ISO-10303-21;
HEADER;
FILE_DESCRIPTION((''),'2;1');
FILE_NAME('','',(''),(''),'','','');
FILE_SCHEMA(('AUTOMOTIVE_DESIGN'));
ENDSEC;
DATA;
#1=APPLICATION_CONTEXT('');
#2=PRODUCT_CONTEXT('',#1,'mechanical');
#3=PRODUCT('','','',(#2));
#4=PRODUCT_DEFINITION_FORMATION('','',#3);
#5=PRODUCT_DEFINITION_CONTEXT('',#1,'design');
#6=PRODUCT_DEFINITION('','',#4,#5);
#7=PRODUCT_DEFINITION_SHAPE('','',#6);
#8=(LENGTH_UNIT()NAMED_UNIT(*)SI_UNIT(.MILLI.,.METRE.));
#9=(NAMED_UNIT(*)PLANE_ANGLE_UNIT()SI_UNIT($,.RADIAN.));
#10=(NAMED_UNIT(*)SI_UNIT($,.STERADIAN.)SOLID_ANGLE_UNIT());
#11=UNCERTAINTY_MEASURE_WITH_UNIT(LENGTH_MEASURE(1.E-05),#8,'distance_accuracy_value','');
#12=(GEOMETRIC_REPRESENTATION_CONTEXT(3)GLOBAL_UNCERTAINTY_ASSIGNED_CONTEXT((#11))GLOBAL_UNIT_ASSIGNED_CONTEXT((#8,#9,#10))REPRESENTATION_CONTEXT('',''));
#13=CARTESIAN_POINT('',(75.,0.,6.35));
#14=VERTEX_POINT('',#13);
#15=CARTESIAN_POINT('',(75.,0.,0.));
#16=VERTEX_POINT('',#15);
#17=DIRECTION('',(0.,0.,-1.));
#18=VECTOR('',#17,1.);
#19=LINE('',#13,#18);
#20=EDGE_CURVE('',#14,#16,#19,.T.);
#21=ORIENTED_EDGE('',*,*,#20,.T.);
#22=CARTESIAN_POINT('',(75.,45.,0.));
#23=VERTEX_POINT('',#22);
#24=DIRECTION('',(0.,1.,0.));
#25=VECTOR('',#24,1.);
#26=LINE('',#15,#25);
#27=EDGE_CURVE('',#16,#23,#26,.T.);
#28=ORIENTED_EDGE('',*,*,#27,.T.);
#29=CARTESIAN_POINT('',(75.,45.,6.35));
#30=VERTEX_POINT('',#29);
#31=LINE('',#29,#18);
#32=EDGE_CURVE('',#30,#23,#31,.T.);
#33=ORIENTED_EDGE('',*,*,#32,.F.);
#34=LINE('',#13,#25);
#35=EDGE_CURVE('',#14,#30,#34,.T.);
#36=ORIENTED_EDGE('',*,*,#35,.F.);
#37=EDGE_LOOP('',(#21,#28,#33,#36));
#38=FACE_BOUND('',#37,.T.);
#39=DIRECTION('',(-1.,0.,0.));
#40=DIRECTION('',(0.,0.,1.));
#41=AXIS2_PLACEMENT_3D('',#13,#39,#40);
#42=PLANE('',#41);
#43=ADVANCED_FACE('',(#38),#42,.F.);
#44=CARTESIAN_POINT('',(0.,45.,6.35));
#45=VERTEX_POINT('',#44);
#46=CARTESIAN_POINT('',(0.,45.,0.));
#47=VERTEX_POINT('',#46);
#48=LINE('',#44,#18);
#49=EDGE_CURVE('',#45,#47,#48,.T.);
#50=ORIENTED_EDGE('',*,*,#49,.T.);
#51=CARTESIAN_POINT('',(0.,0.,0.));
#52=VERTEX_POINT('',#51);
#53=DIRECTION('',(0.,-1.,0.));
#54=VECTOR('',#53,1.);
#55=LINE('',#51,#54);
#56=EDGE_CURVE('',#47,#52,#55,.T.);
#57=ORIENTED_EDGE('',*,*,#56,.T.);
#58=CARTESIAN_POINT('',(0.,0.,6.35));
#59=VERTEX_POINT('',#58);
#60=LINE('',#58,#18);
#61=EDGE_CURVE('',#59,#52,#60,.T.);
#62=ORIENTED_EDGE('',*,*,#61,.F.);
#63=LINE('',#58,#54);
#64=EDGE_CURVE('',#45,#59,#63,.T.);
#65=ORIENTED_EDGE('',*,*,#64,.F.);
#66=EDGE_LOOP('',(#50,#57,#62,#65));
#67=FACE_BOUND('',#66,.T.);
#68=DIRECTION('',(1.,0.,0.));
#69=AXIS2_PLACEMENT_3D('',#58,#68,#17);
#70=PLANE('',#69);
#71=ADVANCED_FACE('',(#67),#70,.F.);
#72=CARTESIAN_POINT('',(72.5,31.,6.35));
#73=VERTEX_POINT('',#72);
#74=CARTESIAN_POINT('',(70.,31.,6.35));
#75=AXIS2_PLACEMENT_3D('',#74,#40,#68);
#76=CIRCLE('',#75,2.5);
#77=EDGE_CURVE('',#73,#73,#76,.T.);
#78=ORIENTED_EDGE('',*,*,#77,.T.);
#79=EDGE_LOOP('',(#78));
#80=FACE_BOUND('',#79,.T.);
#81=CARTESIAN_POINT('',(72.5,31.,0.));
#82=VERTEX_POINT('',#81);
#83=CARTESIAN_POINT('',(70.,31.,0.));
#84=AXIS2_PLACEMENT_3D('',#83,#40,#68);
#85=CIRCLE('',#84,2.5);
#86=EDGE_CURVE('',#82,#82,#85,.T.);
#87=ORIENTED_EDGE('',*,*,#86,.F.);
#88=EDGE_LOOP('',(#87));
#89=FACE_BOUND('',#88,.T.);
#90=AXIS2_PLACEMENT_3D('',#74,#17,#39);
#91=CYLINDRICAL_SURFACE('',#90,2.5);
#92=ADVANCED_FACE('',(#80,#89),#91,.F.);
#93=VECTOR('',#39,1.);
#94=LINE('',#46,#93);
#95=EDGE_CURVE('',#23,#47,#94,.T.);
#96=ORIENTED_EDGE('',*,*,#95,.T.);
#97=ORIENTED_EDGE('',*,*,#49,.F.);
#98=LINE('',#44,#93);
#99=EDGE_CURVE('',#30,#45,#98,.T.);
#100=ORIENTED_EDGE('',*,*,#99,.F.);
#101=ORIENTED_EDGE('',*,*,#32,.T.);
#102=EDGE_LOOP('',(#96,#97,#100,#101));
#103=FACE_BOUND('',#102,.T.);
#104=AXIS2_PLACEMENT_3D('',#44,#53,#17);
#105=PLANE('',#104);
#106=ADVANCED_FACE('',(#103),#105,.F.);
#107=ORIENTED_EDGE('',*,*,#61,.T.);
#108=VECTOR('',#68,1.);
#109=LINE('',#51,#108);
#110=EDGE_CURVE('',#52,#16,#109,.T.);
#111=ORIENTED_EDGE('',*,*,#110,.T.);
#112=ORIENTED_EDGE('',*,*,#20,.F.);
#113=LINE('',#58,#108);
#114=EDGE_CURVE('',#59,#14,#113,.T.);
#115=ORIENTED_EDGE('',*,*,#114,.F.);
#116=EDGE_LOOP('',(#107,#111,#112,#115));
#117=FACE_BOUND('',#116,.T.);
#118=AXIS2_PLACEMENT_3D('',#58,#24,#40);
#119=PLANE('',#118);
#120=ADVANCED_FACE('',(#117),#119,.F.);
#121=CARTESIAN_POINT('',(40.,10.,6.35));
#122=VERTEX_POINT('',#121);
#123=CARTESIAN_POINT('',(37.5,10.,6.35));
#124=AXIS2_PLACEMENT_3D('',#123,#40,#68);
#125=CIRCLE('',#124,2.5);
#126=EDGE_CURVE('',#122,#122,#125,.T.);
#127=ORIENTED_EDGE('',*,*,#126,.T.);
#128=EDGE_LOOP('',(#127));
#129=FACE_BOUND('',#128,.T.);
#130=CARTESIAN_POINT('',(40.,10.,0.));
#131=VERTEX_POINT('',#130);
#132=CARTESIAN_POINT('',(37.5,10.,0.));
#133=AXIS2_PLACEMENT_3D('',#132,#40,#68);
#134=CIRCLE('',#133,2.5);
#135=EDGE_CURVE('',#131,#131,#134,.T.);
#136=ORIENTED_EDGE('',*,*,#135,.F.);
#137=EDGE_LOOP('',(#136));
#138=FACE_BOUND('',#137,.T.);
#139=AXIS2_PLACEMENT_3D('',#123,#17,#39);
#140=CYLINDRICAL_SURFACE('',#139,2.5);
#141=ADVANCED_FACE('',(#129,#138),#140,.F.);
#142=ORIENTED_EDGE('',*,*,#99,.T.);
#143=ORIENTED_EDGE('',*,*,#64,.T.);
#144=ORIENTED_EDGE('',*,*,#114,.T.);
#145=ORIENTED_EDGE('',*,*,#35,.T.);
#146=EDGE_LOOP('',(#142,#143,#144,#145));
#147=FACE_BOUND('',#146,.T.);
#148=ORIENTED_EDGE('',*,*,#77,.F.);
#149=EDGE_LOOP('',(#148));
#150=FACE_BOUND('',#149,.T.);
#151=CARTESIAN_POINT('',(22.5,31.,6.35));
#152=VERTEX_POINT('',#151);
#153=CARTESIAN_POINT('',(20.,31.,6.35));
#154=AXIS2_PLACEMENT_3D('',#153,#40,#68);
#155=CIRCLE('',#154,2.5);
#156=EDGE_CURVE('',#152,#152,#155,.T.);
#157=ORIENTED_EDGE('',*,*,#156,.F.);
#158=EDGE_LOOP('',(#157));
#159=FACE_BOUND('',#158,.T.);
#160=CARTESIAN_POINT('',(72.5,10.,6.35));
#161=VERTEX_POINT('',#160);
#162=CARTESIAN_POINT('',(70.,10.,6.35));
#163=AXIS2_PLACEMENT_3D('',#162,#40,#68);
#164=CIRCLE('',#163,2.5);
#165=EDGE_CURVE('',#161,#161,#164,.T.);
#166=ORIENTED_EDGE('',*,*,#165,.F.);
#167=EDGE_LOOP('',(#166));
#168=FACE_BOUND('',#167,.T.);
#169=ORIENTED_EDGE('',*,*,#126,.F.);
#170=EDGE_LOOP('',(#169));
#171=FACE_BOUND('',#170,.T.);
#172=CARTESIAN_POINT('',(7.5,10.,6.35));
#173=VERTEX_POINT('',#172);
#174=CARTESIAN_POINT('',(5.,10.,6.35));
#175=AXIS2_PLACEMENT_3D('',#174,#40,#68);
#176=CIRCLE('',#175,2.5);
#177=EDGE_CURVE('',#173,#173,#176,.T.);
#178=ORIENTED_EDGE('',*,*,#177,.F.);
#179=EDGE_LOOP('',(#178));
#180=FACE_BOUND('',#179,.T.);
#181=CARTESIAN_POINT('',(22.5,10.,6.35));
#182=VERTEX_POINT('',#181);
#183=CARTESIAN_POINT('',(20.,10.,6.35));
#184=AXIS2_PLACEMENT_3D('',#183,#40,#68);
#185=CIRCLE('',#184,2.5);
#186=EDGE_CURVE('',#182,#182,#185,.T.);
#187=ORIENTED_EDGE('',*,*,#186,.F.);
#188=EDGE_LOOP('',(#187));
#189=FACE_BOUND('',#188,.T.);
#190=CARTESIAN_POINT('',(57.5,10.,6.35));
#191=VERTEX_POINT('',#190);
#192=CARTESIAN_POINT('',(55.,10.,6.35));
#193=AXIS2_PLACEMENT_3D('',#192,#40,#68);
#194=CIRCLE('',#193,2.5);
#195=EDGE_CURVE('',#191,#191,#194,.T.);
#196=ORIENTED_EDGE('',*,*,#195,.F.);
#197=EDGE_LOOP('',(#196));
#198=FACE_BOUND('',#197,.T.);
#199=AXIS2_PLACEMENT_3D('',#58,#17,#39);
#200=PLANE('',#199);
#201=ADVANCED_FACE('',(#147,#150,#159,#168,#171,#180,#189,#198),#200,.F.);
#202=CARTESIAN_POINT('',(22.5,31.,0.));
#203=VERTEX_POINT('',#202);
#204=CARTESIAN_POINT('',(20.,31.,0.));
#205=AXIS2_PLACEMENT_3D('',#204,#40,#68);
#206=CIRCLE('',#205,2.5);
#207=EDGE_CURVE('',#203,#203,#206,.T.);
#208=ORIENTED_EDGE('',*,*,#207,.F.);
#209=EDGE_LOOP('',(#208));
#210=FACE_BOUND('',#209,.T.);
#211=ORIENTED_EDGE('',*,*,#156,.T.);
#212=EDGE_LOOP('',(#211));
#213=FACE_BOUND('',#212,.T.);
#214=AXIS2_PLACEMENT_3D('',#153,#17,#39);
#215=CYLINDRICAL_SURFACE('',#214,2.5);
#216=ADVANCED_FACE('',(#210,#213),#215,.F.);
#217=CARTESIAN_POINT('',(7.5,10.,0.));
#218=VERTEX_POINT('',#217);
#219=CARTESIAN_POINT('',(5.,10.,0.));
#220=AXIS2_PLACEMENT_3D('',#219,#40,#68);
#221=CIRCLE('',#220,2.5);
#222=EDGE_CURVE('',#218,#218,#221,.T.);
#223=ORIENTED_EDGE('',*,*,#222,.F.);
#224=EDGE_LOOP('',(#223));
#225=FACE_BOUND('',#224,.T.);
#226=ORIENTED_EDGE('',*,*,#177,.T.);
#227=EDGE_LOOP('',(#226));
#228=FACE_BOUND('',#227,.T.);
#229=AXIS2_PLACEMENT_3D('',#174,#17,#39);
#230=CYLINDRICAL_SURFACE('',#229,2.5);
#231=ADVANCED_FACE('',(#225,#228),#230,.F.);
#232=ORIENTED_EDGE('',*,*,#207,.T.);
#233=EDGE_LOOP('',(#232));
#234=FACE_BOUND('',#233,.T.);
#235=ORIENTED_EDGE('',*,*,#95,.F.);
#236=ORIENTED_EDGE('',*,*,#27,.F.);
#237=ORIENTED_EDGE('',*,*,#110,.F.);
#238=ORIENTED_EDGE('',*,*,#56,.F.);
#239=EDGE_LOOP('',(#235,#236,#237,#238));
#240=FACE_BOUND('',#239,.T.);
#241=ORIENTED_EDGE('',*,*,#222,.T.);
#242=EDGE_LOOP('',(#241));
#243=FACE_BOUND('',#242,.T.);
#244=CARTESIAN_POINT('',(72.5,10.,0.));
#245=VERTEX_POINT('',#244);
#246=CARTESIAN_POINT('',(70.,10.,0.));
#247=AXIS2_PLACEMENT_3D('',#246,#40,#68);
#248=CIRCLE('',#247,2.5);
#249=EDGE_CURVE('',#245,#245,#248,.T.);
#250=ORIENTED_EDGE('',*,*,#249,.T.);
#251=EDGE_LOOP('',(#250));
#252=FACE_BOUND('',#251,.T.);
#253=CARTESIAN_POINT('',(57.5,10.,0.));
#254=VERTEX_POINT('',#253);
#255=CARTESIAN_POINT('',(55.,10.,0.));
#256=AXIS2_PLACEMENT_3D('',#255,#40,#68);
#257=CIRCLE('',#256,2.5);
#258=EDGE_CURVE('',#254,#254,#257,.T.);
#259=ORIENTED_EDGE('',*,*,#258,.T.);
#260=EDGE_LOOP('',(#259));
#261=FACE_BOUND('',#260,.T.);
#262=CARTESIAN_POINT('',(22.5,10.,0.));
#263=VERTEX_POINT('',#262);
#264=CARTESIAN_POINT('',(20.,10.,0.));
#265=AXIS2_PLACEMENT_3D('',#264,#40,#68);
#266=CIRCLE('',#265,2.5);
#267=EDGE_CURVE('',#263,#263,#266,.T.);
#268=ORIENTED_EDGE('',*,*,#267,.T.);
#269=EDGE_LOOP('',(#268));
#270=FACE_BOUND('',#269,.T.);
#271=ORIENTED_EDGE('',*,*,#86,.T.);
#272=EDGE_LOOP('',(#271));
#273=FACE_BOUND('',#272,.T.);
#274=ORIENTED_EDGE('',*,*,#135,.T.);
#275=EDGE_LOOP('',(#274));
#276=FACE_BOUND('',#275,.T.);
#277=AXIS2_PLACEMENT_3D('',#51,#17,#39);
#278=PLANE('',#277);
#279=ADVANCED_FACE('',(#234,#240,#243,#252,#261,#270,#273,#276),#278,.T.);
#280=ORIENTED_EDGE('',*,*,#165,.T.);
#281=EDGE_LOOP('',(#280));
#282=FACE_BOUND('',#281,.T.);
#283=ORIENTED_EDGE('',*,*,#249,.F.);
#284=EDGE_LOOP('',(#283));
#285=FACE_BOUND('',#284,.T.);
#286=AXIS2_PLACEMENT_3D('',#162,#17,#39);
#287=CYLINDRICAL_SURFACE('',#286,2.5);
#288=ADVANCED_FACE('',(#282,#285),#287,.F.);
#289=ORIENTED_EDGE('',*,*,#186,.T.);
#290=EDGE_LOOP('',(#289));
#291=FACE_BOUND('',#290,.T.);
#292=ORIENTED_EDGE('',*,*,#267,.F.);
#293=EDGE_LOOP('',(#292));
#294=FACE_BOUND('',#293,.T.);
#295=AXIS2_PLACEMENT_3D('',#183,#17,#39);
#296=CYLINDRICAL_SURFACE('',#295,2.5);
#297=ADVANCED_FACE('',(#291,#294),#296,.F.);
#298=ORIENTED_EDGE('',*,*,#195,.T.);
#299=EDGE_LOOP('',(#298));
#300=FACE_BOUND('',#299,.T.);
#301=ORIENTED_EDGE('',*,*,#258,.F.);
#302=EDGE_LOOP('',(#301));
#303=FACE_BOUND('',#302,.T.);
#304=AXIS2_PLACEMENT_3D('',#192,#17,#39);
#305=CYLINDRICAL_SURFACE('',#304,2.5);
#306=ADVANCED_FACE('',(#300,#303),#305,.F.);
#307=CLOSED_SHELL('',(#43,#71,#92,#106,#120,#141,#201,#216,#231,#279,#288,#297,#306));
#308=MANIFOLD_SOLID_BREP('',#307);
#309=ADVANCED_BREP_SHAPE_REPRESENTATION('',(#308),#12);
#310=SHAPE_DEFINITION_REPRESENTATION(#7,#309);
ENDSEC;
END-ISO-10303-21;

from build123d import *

# Parameters (mm, degrees)
SKETCH1_W           = 75
SKETCH1_H           = 45
SKETCH1_R           = 2.5
BOSS_EXTRUDE1_DEPTH = 6.35


with BuildPart() as part:
    # Sketch1 → Boss-Extrude1 (new body)
    with BuildSketch(Plane.XY):
        with Locations((37.5, 22.5)):
            Rectangle(SKETCH1_W, SKETCH1_H)
        with Locations((20, 31)):
            Circle(SKETCH1_R, mode=Mode.SUBTRACT)
        with Locations((70, 31)):
            Circle(SKETCH1_R, mode=Mode.SUBTRACT)
        with Locations((5, 10)):
            Circle(SKETCH1_R, mode=Mode.SUBTRACT)
        with Locations((20, 10)):
            Circle(SKETCH1_R, mode=Mode.SUBTRACT)
        with Locations((55, 10)):
            Circle(SKETCH1_R, mode=Mode.SUBTRACT)
        with Locations((70, 10)):
            Circle(SKETCH1_R, mode=Mode.SUBTRACT)
        with Locations((37.5, 10)):
            Circle(SKETCH1_R, mode=Mode.SUBTRACT)
    extrude(amount=BOSS_EXTRUDE1_DEPTH)


solid = part.part
